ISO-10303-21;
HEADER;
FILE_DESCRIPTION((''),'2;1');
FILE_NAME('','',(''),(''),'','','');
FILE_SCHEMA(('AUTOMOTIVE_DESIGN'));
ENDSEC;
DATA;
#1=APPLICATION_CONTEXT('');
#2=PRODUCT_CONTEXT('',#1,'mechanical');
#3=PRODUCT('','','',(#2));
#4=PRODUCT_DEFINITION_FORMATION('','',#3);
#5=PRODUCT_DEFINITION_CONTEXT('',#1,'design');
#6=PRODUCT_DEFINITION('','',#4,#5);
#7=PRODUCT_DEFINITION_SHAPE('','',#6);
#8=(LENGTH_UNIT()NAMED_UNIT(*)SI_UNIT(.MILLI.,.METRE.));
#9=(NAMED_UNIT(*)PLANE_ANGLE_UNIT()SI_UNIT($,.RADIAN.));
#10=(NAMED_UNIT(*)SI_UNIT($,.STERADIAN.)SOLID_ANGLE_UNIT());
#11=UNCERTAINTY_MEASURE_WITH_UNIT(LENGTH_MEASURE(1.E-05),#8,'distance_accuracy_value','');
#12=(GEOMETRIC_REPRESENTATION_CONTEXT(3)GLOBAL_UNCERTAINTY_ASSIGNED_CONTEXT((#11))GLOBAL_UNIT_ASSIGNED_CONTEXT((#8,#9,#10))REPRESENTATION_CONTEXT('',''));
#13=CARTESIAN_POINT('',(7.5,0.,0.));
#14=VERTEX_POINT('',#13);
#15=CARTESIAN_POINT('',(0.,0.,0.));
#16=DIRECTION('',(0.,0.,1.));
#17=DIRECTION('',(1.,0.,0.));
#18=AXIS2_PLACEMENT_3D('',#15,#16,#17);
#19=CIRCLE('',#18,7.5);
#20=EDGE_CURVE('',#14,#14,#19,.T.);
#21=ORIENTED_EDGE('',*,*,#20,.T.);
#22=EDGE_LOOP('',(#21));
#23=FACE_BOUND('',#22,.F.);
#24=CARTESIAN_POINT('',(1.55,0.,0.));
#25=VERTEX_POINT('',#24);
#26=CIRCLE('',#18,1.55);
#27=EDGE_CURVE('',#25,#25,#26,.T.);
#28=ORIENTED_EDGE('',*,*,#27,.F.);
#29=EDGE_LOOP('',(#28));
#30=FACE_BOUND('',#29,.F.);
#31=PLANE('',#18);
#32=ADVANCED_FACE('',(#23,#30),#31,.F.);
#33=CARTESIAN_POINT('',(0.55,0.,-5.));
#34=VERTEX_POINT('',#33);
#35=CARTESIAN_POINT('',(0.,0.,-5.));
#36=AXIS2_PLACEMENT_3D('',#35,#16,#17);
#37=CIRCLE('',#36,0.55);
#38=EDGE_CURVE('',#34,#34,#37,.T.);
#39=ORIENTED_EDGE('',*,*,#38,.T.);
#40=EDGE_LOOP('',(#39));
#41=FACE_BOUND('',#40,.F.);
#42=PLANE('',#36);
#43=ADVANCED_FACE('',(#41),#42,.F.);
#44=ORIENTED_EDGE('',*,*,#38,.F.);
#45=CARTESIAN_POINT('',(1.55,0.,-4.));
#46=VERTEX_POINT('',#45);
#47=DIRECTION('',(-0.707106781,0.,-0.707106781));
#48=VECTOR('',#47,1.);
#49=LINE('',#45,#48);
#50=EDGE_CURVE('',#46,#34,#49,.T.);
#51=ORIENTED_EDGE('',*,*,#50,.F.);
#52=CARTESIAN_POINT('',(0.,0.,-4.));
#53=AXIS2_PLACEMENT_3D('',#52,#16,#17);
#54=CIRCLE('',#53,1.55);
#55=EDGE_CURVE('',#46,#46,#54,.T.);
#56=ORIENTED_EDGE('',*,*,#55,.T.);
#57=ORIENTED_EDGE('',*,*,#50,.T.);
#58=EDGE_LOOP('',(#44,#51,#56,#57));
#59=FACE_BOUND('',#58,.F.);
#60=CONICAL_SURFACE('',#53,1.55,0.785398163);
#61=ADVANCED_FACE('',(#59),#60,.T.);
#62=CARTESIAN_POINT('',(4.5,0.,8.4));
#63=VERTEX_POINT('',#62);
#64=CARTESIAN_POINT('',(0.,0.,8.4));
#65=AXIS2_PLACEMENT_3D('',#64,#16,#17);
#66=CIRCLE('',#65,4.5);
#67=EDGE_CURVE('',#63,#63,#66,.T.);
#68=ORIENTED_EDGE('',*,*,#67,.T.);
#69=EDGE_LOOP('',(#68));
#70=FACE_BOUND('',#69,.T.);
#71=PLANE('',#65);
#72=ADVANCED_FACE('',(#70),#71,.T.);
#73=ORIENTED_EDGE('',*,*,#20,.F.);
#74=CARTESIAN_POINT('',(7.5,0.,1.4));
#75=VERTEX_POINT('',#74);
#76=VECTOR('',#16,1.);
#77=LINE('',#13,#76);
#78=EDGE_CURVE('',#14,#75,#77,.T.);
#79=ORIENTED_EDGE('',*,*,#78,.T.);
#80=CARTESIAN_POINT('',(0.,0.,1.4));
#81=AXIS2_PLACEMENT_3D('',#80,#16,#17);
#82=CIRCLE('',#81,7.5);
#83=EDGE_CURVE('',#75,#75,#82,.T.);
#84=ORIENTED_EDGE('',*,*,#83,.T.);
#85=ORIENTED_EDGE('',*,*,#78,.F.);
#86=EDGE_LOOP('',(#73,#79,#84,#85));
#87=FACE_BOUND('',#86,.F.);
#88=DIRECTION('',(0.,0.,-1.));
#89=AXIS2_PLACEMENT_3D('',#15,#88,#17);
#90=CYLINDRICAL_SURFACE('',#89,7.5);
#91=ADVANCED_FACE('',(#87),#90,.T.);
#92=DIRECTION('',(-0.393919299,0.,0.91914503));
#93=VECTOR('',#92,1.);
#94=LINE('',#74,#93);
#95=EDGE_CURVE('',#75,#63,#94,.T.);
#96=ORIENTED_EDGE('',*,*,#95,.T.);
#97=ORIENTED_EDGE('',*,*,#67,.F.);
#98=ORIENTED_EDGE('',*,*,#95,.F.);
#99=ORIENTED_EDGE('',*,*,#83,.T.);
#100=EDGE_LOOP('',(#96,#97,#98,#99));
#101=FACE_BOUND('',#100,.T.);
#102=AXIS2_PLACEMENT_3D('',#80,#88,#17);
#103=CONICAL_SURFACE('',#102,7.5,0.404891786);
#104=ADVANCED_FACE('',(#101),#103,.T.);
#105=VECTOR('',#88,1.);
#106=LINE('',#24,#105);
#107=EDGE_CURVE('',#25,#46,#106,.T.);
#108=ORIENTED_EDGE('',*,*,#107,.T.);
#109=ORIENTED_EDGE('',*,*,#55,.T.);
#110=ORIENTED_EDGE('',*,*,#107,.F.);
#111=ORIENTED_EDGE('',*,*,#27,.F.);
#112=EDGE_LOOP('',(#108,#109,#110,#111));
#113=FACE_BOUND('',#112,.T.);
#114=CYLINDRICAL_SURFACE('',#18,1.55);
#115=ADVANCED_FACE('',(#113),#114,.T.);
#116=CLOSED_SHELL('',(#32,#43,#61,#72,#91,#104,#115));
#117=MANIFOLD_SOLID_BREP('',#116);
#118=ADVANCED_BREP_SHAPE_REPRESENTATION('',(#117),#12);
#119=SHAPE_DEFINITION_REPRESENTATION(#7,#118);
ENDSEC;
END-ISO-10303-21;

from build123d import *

# Parameters (mm, degrees)
SKETCH_R         = 1.55
PAD_DEPTH        = 5
SKETCH001_R      = 7.5
PAD001_DEPTH     = 8.4
CHAMFER_SIZE     = 1
CHAMFER001_SIZE2 = 3
CHAMFER001_SIZE  = 7


with BuildPart() as part:
    # Sketch → Pad (new body)
    with BuildSketch(Plane.XY):
        Circle(SKETCH_R)
    extrude(amount=-PAD_DEPTH)

    # Sketch001 → Pad001 (join)
    with BuildSketch(Plane.XY):
        Circle(SKETCH001_R)
    extrude(amount=PAD001_DEPTH)

    # Chamfer
    chamfer_edges = [part.edges().sort_by_distance(p)[0] for p in [
        (-1.55, 0, -5),
    ]]
    chamfer(chamfer_edges, length=CHAMFER_SIZE)

    # Chamfer001
    chamfer001_edges = [part.edges().sort_by_distance(p)[0] for p in [
        (-7.5, 0, 8.4),
    ]]
    chamfer001_side = part.faces().sort_by_distance((-7.5, 0, 4.2))[0]
    chamfer(chamfer001_edges, length=CHAMFER001_SIZE, length2=CHAMFER001_SIZE2, reference=chamfer001_side)


solid = part.part
